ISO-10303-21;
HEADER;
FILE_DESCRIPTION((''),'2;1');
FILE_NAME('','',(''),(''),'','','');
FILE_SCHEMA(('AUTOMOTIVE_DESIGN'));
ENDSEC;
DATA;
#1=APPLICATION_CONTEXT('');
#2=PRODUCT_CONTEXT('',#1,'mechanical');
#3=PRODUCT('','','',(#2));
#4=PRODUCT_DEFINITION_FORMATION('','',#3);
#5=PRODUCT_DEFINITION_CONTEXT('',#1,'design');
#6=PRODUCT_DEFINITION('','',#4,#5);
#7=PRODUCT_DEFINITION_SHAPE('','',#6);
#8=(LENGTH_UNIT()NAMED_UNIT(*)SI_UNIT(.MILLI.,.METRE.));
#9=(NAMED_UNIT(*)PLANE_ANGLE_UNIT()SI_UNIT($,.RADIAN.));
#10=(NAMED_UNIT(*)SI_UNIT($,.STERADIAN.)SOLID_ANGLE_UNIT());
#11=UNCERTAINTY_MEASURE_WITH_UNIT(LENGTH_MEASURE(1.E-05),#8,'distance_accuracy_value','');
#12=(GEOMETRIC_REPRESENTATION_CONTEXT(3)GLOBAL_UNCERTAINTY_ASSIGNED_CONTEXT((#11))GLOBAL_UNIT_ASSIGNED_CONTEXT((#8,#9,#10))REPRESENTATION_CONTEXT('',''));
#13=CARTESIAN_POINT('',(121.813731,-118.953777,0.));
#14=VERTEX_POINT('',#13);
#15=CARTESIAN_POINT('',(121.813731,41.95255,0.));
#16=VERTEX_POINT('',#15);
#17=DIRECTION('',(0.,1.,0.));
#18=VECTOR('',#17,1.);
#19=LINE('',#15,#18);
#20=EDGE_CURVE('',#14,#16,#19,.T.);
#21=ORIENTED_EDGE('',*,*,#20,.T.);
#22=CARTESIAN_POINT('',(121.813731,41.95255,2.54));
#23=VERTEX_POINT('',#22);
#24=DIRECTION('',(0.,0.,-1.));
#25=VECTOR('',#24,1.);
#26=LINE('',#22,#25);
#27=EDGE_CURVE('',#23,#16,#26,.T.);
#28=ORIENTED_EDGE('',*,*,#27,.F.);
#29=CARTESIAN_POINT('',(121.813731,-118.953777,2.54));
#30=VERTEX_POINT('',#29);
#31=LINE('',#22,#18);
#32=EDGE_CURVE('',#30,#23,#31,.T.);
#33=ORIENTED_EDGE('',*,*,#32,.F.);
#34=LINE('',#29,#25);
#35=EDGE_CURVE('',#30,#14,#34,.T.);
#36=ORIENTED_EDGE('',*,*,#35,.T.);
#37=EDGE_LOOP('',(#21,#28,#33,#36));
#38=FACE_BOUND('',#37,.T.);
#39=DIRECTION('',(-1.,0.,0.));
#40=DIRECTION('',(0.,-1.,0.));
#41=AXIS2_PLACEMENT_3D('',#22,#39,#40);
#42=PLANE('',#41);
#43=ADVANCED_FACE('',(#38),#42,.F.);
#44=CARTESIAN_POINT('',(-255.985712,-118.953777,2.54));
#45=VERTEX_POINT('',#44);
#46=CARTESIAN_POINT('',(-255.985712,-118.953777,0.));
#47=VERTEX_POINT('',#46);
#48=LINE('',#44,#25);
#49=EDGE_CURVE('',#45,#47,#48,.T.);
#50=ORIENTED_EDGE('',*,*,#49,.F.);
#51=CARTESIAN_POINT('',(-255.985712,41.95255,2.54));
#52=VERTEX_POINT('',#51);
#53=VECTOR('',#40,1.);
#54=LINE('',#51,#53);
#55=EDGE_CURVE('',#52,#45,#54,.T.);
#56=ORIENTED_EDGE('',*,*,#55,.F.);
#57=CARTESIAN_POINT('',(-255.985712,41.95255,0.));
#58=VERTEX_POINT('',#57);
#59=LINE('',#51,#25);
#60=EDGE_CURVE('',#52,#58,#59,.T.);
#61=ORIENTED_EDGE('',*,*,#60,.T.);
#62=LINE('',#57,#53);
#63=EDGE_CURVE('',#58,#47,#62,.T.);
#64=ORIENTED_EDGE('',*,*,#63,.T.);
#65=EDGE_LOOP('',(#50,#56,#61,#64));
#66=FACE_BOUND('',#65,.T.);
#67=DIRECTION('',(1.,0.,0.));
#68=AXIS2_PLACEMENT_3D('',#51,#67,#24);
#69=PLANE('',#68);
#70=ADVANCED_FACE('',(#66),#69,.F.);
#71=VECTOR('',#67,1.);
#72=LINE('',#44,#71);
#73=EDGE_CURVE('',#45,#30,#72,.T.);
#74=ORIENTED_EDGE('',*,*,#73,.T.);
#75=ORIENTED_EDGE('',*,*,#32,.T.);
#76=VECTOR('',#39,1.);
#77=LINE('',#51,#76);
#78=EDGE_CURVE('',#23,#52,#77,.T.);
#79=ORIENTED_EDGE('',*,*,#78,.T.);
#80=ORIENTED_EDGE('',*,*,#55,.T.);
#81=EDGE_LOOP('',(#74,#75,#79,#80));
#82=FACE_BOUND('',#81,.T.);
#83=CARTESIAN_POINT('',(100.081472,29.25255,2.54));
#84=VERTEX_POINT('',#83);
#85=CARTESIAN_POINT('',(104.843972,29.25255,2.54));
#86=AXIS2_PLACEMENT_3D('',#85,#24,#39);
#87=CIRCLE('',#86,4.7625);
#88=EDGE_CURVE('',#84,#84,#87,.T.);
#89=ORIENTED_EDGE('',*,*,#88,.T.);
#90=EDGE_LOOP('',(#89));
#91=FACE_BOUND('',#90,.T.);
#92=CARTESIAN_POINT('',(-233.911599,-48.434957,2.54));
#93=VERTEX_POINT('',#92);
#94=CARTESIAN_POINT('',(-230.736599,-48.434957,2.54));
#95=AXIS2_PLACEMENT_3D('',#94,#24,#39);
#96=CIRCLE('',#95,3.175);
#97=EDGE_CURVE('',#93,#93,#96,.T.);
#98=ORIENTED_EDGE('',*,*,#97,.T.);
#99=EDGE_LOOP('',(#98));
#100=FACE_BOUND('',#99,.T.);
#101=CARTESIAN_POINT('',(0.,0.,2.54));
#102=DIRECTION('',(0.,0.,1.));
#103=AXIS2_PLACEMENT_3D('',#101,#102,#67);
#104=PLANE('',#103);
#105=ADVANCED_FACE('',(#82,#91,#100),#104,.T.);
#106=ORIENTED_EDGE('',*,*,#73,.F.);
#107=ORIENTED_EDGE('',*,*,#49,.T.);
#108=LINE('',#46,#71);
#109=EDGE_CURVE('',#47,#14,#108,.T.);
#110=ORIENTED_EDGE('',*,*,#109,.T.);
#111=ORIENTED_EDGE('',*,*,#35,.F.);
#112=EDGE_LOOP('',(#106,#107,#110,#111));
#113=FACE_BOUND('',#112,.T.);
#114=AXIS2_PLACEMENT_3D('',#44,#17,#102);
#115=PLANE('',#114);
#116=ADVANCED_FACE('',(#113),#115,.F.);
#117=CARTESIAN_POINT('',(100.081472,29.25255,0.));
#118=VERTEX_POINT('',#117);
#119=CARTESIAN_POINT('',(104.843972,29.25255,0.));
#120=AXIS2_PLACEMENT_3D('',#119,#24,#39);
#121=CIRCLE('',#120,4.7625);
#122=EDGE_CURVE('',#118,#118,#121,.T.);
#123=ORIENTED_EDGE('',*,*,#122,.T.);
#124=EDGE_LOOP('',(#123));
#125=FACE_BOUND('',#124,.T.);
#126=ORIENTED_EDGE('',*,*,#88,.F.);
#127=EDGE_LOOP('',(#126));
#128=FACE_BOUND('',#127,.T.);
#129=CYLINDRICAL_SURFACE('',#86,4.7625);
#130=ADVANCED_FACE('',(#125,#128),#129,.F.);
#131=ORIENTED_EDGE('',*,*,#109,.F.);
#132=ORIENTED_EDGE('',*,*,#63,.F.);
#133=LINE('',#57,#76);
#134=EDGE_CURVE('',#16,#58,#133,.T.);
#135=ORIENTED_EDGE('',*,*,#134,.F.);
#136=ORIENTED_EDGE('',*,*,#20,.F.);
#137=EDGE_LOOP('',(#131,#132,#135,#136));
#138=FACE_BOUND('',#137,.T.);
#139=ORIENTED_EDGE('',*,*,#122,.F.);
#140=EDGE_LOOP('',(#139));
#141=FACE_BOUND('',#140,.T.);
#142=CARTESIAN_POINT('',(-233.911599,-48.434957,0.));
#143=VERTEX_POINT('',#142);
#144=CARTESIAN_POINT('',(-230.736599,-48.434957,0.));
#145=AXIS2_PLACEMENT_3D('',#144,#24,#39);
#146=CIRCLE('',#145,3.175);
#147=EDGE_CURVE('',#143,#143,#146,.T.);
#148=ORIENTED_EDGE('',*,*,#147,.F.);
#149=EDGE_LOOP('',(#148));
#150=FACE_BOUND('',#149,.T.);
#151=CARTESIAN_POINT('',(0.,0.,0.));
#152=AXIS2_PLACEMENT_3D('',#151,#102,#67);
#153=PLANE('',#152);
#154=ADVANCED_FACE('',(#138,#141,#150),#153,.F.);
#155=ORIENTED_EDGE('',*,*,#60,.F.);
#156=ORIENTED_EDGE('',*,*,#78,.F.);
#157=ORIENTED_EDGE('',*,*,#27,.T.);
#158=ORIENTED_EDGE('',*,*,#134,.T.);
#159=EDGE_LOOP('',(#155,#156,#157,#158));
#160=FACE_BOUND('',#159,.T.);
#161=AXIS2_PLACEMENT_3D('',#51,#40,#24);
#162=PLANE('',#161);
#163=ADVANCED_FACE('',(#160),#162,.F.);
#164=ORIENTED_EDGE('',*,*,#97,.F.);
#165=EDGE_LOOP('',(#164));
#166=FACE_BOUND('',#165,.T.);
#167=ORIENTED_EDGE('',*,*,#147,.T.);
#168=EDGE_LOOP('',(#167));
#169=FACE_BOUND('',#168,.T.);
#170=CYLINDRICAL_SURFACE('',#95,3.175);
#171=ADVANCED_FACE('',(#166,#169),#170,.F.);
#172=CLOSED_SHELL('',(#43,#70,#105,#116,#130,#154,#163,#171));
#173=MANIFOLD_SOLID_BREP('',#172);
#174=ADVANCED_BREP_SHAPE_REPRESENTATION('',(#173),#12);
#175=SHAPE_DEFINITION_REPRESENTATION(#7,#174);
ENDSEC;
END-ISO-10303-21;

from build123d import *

# Parameters (mm, degrees)
SKETCH1_W           = 377.799442515
SKETCH1_H           = 160.906327865
BOSS_EXTRUDE1_DEPTH = 2.54
SKETCH2_R           = 4.7625
CUT_EXTRUDE1_DEPTH  = 283.285560089
SKETCH3_R           = 3.175
CUT_EXTRUDE2_DEPTH  = 283.285560089


with BuildPart() as part:
    # Sketch1 → Boss-Extrude1 (new body)
    with BuildSketch(Plane.XY):
        with Locations((-67.085990584, -38.500613509)):
            Rectangle(SKETCH1_W, SKETCH1_H)
    extrude(amount=BOSS_EXTRUDE1_DEPTH)

    # Sketch2 → Cut-Extrude1 (cut, through all)
    with BuildSketch(Plane(origin=(0, 0, 0), x_dir=(-1, 0, 0), z_dir=(0, 0, -1))):
        with Locations((-104.843972106, 29.252550423)):
            Circle(SKETCH2_R)
    extrude(amount=-CUT_EXTRUDE1_DEPTH, mode=Mode.SUBTRACT)

    # Sketch3 → Cut-Extrude2 (cut, through all)
    with BuildSketch(Plane(origin=(0, 0, 0), x_dir=(-1, 0, 0), z_dir=(0, 0, -1))):
        with Locations((230.736599113, -48.434957303)):
            Circle(SKETCH3_R)
    extrude(amount=-CUT_EXTRUDE2_DEPTH, mode=Mode.SUBTRACT)


solid = part.part
